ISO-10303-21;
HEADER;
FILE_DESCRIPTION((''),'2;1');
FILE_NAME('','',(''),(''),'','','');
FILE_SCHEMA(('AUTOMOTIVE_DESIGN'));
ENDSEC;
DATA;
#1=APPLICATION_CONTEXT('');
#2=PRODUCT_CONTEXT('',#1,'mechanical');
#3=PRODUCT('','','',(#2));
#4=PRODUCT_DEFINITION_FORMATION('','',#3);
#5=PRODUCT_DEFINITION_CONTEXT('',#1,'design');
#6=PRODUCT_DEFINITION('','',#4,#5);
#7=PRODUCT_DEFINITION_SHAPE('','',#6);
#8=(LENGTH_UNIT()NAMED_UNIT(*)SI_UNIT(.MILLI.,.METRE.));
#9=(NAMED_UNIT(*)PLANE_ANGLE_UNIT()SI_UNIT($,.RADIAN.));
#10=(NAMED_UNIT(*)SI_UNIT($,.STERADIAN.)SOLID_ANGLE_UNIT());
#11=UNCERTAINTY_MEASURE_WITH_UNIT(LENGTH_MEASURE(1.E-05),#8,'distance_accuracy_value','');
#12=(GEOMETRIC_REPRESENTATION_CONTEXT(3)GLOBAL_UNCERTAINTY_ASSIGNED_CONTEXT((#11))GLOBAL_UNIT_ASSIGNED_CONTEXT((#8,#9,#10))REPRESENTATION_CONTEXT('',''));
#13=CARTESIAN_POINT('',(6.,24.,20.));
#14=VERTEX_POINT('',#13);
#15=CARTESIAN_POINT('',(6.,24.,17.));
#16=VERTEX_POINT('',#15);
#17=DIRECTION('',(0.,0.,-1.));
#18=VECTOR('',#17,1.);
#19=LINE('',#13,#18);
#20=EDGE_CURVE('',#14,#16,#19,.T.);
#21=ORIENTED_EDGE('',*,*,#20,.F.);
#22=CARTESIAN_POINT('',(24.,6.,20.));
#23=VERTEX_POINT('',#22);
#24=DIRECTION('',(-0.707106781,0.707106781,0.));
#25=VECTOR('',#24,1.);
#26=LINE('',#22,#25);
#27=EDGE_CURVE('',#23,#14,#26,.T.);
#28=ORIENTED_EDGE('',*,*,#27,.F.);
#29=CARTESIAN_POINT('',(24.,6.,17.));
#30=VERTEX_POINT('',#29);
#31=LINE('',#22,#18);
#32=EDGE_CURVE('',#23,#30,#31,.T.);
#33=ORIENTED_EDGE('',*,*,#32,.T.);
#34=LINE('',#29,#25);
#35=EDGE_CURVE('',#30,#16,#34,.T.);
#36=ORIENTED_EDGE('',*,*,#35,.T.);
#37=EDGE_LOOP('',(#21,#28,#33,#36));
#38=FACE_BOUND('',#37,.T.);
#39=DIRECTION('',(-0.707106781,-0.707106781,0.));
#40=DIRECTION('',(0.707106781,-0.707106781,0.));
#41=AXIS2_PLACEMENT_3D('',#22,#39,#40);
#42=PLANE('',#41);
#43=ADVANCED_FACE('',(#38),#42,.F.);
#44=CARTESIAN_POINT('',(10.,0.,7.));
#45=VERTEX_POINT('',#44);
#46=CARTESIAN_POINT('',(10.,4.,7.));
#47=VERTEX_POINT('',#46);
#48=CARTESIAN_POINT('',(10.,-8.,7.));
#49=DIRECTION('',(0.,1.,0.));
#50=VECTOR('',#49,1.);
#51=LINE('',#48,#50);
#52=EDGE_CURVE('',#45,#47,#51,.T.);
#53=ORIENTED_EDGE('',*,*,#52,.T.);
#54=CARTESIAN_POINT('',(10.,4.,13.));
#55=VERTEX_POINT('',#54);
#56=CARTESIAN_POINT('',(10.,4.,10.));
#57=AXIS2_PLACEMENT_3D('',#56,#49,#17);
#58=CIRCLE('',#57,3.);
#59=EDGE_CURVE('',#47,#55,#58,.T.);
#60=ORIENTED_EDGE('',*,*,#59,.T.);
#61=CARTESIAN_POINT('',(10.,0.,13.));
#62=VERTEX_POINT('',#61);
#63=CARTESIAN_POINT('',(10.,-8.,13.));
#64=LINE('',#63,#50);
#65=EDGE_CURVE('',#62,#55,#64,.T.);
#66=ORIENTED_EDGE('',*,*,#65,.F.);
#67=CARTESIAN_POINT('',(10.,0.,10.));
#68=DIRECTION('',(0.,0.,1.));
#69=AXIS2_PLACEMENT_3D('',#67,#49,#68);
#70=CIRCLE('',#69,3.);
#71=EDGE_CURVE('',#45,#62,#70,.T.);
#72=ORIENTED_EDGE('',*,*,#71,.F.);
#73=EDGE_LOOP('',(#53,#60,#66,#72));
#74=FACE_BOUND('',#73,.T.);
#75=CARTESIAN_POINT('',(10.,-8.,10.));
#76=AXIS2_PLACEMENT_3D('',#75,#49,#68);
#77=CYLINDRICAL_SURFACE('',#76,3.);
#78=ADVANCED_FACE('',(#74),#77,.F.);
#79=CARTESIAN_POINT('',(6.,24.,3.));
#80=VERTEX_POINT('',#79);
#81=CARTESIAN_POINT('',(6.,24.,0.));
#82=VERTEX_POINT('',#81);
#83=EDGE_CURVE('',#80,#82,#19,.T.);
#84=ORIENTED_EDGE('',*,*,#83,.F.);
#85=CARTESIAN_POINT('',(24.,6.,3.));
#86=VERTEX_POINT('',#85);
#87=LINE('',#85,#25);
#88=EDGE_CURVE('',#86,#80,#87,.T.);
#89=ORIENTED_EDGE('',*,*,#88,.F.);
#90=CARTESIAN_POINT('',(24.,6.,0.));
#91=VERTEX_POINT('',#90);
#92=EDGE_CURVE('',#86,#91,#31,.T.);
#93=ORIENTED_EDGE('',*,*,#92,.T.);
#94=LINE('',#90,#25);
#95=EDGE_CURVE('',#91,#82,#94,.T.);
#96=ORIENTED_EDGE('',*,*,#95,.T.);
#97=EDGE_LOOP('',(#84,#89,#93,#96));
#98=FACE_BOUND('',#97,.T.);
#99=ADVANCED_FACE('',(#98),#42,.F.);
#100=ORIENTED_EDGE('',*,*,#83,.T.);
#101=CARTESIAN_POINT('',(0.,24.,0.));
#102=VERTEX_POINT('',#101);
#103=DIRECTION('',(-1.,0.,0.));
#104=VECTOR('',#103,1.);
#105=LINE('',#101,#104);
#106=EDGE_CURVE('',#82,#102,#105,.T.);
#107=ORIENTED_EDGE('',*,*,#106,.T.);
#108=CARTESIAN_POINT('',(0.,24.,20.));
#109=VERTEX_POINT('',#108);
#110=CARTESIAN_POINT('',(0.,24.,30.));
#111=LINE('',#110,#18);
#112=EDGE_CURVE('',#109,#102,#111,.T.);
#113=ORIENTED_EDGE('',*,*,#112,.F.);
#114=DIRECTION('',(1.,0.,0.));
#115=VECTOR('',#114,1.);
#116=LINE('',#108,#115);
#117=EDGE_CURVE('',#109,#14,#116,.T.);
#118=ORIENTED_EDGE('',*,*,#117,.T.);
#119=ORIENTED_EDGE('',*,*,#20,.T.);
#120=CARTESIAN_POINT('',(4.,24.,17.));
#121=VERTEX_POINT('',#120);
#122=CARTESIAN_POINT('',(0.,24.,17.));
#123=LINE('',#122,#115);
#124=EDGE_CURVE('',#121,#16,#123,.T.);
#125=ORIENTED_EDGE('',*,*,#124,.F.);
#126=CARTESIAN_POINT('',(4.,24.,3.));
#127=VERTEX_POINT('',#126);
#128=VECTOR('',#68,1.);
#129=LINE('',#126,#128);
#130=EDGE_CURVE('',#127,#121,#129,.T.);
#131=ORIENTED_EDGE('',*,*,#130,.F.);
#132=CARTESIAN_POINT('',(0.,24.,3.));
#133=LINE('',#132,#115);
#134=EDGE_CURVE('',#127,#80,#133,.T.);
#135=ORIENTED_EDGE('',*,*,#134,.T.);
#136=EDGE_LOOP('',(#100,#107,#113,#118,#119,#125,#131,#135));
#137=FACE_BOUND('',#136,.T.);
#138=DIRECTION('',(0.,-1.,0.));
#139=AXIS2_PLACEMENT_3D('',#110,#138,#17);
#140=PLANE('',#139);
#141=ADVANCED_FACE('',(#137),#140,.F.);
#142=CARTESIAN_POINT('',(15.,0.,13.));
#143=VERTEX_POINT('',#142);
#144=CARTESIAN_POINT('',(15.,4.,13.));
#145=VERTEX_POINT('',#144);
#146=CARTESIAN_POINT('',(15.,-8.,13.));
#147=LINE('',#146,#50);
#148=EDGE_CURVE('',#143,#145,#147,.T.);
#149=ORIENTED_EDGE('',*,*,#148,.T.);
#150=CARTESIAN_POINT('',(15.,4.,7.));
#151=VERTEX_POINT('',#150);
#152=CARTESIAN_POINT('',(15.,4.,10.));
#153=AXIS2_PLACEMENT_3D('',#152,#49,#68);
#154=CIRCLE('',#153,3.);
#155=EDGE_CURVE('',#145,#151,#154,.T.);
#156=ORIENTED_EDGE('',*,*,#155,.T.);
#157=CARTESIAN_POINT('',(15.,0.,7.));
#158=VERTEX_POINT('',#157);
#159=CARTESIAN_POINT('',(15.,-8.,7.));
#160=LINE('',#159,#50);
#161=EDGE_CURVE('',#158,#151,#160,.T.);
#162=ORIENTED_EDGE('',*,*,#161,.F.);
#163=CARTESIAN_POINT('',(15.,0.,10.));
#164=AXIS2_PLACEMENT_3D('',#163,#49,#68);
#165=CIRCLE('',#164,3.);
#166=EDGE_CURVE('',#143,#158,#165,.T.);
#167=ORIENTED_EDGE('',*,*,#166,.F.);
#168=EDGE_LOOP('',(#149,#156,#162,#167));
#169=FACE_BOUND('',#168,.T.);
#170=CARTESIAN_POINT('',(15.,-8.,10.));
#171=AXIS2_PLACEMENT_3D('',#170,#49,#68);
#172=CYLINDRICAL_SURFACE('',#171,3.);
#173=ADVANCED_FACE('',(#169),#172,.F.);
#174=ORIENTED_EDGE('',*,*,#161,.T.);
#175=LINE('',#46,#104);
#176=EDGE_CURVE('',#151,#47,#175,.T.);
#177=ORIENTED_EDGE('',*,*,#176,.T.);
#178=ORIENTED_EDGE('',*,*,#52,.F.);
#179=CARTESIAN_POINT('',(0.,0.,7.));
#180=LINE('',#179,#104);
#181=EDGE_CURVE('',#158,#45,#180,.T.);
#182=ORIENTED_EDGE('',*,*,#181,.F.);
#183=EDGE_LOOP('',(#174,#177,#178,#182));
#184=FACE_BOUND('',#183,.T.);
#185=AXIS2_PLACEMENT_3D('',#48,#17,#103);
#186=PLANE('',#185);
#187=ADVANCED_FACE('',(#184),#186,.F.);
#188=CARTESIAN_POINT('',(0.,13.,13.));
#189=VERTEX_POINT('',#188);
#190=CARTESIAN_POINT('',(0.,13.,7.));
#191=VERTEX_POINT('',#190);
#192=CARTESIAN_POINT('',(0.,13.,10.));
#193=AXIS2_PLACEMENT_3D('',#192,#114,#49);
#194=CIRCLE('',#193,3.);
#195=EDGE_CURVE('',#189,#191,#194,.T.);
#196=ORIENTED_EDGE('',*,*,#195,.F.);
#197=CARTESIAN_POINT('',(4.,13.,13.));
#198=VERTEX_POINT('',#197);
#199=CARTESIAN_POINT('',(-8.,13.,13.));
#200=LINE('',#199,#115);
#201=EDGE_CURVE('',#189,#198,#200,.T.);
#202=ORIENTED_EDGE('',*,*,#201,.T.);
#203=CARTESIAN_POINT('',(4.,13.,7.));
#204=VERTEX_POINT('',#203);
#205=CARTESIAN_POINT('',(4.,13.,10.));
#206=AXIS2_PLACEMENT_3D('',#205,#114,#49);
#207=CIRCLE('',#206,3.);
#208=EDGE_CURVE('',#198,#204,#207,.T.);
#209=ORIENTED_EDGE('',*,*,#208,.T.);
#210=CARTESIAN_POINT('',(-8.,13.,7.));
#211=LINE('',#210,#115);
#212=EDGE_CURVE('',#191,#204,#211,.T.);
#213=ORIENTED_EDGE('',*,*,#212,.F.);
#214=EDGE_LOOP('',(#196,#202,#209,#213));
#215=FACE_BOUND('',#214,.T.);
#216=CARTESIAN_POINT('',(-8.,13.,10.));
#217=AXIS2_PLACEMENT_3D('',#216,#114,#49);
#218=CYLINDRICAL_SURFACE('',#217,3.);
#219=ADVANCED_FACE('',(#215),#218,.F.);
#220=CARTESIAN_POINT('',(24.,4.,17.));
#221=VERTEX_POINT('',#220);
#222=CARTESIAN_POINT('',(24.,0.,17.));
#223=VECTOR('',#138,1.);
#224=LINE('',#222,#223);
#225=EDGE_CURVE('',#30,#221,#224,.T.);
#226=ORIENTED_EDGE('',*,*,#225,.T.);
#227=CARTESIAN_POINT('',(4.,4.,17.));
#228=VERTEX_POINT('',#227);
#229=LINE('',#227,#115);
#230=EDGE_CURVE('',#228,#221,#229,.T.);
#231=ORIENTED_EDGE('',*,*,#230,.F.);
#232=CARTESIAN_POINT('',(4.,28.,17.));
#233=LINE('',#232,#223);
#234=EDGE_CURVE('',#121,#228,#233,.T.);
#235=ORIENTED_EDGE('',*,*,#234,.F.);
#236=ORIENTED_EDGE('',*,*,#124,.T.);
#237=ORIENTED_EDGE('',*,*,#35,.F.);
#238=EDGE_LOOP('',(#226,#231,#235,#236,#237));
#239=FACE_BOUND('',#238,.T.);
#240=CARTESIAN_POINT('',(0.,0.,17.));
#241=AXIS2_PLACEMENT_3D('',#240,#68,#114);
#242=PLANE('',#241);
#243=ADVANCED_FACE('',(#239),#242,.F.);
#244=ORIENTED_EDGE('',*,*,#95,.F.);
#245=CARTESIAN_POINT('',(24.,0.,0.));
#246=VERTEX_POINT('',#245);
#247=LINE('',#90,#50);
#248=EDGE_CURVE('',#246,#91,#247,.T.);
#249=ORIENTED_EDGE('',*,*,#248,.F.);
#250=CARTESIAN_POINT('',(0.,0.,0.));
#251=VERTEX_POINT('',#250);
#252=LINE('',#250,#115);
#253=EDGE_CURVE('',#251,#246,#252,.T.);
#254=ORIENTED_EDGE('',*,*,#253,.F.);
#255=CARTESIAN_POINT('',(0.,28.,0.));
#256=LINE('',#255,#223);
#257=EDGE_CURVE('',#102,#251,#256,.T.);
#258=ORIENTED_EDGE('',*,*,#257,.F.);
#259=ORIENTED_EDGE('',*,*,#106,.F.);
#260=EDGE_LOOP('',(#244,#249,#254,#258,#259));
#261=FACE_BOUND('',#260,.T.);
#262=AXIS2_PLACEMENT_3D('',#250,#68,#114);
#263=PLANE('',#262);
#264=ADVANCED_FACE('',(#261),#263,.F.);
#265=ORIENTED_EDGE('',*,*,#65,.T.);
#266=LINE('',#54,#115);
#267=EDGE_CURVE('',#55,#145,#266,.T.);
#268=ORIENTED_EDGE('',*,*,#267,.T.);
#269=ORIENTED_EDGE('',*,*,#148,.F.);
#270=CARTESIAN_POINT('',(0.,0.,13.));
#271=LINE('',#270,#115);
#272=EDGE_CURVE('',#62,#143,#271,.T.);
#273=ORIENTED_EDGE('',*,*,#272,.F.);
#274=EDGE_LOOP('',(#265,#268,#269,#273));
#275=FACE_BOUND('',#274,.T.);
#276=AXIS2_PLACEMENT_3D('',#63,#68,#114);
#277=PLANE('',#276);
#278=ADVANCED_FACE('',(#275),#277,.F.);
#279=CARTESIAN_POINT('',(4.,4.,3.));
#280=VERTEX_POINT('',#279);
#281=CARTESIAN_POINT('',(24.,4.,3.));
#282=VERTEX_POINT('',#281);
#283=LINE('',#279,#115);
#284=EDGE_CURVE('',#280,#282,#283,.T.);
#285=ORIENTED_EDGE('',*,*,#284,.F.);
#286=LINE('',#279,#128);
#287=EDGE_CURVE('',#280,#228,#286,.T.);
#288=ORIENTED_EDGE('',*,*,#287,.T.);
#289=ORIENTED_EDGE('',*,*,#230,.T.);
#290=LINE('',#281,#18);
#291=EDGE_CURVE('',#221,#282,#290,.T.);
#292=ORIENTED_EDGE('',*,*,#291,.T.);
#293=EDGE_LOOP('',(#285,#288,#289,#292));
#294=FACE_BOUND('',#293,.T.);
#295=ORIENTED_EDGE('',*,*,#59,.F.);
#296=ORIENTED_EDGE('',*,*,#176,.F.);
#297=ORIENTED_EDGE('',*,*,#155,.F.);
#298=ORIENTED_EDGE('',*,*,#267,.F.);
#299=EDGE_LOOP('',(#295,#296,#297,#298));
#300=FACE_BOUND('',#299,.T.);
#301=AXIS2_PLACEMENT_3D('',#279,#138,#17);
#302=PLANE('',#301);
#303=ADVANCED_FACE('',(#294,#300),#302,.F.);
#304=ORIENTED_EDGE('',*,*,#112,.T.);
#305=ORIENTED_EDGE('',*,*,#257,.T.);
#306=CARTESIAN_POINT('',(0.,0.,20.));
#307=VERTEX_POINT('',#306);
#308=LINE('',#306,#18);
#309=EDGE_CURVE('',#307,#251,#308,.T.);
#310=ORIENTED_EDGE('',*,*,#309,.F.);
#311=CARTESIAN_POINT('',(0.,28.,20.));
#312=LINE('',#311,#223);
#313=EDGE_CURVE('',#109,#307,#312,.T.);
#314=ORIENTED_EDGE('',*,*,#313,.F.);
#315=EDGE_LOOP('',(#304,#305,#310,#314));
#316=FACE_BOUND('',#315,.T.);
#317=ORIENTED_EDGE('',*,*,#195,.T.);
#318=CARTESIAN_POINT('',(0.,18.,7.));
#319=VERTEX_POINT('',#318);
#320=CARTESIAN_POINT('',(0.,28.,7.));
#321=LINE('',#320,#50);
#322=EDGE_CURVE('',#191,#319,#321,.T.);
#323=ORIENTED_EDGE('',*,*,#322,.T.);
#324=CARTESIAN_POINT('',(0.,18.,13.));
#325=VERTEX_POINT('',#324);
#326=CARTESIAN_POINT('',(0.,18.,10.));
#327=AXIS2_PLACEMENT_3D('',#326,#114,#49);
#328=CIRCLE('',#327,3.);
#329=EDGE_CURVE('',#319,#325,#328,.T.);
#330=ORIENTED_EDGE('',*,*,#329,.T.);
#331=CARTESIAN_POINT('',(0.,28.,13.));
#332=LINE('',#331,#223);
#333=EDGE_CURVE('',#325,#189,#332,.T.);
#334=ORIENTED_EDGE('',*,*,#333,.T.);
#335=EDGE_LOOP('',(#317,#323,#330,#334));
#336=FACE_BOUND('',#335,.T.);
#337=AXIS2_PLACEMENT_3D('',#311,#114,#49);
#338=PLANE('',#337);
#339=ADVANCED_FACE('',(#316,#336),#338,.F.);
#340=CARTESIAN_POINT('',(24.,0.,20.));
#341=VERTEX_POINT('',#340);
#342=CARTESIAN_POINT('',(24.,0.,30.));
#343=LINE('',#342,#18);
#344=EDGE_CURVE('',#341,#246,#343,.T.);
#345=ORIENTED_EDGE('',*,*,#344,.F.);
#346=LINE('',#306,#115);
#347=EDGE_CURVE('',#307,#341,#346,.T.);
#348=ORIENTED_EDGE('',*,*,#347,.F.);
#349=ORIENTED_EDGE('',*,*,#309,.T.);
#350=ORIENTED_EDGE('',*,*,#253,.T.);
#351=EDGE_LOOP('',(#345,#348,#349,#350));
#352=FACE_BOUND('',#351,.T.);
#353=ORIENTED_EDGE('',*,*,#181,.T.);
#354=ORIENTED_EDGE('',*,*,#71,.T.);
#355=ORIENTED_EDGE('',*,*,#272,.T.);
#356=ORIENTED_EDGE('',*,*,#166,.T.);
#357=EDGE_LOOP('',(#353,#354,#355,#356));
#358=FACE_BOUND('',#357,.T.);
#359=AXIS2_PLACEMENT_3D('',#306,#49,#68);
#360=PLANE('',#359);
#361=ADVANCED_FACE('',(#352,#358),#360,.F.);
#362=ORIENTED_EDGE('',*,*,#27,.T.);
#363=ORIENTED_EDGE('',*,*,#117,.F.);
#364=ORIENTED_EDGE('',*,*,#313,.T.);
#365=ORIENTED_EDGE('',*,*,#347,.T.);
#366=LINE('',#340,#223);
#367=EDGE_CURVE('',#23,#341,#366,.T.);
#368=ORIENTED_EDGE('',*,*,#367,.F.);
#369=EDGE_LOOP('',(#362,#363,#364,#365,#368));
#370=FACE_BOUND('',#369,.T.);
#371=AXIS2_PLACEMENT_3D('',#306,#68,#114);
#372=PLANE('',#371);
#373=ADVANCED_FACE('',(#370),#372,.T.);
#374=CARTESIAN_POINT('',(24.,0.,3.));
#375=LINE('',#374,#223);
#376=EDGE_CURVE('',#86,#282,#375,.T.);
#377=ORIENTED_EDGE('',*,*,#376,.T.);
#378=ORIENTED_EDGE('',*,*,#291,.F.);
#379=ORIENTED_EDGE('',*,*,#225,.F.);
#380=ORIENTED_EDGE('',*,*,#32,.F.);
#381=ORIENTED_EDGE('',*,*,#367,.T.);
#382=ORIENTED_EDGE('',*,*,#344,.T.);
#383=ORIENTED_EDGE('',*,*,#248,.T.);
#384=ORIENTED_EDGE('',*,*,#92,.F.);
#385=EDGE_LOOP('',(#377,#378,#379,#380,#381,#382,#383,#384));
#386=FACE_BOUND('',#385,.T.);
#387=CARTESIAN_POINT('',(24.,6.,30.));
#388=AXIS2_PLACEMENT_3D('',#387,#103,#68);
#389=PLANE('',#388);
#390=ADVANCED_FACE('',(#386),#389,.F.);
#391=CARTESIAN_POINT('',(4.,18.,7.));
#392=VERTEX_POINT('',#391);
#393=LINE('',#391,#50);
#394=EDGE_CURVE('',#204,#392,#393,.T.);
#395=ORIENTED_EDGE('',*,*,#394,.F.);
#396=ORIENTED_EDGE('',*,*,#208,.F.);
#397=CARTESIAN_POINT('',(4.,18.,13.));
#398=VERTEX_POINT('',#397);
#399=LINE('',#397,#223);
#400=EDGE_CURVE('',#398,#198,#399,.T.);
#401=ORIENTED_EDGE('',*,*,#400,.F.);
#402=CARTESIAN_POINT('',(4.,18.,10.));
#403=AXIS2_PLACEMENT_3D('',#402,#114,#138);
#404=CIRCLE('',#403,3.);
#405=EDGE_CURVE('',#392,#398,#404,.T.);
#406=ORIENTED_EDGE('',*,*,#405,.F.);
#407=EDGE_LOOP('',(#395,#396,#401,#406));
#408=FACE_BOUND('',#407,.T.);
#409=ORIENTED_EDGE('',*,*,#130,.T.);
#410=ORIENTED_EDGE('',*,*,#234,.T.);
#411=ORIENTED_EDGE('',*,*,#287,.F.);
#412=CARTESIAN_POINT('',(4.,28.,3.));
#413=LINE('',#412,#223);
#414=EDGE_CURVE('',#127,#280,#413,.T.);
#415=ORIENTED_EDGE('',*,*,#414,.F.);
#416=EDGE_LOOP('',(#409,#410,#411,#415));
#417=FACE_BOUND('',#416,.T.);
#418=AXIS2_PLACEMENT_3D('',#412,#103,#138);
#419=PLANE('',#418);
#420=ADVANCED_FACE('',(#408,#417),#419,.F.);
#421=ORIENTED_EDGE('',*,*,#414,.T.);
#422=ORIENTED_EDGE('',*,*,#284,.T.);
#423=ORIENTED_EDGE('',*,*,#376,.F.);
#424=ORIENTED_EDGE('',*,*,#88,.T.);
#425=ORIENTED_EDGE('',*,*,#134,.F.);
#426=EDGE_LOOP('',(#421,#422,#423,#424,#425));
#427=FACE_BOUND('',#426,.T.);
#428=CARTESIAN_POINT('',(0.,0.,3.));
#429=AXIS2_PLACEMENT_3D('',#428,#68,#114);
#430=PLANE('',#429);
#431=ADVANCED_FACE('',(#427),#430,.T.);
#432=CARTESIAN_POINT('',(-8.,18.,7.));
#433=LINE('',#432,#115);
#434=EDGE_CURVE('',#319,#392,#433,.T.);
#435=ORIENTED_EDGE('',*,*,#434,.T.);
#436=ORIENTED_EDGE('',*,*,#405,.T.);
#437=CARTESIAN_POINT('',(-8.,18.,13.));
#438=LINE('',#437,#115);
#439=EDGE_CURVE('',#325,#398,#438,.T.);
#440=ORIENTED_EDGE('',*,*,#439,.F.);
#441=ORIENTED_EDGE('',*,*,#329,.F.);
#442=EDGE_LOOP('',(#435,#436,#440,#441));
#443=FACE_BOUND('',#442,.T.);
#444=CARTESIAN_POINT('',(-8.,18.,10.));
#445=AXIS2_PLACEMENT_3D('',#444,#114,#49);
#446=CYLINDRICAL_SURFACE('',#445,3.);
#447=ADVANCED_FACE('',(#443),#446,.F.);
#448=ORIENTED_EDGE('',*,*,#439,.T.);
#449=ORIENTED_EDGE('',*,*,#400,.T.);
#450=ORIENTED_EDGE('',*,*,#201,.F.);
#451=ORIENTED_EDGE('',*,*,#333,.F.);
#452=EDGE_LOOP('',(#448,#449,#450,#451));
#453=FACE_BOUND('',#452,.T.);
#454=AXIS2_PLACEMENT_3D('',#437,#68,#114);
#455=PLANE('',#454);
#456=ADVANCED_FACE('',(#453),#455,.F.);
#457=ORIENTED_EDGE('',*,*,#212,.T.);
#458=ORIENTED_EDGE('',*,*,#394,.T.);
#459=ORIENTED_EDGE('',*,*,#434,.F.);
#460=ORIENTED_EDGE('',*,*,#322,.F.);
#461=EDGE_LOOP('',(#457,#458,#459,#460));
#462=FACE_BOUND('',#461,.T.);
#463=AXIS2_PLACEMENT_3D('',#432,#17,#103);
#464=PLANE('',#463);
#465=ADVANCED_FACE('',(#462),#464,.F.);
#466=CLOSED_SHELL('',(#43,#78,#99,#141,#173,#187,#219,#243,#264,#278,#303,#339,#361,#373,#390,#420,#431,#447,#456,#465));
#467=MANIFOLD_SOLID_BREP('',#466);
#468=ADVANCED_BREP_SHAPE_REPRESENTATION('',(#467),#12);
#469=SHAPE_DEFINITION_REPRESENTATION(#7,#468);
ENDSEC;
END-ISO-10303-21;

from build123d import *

# Parameters (mm, degrees)
EXTRUDE_1_DEPTH     = 20
CUT_EXTRUDE_START   = -3
SKETCH_2_W          = 24
SKETCH_2_H          = 24
CUT_EXTRUDE_1_DEPTH = 14
CUT_EXTRUDE_2_DEPTH = 12
CUT_EXTRUDE_3_DEPTH = 12
SKETCH_5_W          = 6
SKETCH_5_H          = 4
SKETCH_5_W_2        = 4
SKETCH_5_H_2        = 6
CUT_EXTRUDE_4_DEPTH = 30


with BuildPart() as part:
    # 草图1 → 凸台-拉伸1 (new body)
    with BuildSketch(Plane.XY):
        Polygon((0, 28), (0, 0), (28, 0), (28, 6), (24, 6), (6, 24), (6, 28), align=None)
    extrude(amount=EXTRUDE_1_DEPTH)

    # 草图2 → 切除-拉伸1 (cut)
    with BuildSketch(Plane.XY.offset(20).offset(CUT_EXTRUDE_START)):
        with Locations((16, 16)):
            Rectangle(SKETCH_2_W, SKETCH_2_H)
    extrude(amount=-CUT_EXTRUDE_1_DEPTH, mode=Mode.SUBTRACT)

    # 草图3 → 切除-拉伸2 (cut)
    with BuildSketch(Plane(origin=(0, 4, 0), x_dir=(1, 0, 0), z_dir=(0, 1, 0))):
        with BuildLine():
            Line((10, -13), (15, -13))
            ThreePointArc((15, -13), (18, -10), (15, -7))
            Line((15, -7), (10, -7))
            ThreePointArc((10, -7), (7, -10), (10, -13))
        make_face()
    extrude(amount=-CUT_EXTRUDE_2_DEPTH, mode=Mode.SUBTRACT)

    # 草图4 → 切除-拉伸3 (cut)
    with BuildSketch(Plane(origin=(4, 0, 0), x_dir=(0, 0, -1), z_dir=(1, 0, 0))):
        with BuildLine():
            Line((-13, 18), (-13, 13))
            ThreePointArc((-13, 13), (-10, 10), (-7, 13))
            Line((-7, 13), (-7, 18))
            ThreePointArc((-7, 18), (-10, 21), (-13, 18))
        make_face()
    extrude(amount=-CUT_EXTRUDE_3_DEPTH, mode=Mode.SUBTRACT)

    # 草图5 → 切除-拉伸4 (cut)
    with BuildSketch(Plane(origin=(0, 0, 0), x_dir=(-1, 0, 0), z_dir=(0, 0, -1))):
        with Locations((-3, 26)):
            Rectangle(SKETCH_5_W, SKETCH_5_H)
        with Locations((-26, 3)):
            Rectangle(SKETCH_5_W_2, SKETCH_5_H_2)
    extrude(amount=-CUT_EXTRUDE_4_DEPTH, mode=Mode.SUBTRACT)


solid = part.part
